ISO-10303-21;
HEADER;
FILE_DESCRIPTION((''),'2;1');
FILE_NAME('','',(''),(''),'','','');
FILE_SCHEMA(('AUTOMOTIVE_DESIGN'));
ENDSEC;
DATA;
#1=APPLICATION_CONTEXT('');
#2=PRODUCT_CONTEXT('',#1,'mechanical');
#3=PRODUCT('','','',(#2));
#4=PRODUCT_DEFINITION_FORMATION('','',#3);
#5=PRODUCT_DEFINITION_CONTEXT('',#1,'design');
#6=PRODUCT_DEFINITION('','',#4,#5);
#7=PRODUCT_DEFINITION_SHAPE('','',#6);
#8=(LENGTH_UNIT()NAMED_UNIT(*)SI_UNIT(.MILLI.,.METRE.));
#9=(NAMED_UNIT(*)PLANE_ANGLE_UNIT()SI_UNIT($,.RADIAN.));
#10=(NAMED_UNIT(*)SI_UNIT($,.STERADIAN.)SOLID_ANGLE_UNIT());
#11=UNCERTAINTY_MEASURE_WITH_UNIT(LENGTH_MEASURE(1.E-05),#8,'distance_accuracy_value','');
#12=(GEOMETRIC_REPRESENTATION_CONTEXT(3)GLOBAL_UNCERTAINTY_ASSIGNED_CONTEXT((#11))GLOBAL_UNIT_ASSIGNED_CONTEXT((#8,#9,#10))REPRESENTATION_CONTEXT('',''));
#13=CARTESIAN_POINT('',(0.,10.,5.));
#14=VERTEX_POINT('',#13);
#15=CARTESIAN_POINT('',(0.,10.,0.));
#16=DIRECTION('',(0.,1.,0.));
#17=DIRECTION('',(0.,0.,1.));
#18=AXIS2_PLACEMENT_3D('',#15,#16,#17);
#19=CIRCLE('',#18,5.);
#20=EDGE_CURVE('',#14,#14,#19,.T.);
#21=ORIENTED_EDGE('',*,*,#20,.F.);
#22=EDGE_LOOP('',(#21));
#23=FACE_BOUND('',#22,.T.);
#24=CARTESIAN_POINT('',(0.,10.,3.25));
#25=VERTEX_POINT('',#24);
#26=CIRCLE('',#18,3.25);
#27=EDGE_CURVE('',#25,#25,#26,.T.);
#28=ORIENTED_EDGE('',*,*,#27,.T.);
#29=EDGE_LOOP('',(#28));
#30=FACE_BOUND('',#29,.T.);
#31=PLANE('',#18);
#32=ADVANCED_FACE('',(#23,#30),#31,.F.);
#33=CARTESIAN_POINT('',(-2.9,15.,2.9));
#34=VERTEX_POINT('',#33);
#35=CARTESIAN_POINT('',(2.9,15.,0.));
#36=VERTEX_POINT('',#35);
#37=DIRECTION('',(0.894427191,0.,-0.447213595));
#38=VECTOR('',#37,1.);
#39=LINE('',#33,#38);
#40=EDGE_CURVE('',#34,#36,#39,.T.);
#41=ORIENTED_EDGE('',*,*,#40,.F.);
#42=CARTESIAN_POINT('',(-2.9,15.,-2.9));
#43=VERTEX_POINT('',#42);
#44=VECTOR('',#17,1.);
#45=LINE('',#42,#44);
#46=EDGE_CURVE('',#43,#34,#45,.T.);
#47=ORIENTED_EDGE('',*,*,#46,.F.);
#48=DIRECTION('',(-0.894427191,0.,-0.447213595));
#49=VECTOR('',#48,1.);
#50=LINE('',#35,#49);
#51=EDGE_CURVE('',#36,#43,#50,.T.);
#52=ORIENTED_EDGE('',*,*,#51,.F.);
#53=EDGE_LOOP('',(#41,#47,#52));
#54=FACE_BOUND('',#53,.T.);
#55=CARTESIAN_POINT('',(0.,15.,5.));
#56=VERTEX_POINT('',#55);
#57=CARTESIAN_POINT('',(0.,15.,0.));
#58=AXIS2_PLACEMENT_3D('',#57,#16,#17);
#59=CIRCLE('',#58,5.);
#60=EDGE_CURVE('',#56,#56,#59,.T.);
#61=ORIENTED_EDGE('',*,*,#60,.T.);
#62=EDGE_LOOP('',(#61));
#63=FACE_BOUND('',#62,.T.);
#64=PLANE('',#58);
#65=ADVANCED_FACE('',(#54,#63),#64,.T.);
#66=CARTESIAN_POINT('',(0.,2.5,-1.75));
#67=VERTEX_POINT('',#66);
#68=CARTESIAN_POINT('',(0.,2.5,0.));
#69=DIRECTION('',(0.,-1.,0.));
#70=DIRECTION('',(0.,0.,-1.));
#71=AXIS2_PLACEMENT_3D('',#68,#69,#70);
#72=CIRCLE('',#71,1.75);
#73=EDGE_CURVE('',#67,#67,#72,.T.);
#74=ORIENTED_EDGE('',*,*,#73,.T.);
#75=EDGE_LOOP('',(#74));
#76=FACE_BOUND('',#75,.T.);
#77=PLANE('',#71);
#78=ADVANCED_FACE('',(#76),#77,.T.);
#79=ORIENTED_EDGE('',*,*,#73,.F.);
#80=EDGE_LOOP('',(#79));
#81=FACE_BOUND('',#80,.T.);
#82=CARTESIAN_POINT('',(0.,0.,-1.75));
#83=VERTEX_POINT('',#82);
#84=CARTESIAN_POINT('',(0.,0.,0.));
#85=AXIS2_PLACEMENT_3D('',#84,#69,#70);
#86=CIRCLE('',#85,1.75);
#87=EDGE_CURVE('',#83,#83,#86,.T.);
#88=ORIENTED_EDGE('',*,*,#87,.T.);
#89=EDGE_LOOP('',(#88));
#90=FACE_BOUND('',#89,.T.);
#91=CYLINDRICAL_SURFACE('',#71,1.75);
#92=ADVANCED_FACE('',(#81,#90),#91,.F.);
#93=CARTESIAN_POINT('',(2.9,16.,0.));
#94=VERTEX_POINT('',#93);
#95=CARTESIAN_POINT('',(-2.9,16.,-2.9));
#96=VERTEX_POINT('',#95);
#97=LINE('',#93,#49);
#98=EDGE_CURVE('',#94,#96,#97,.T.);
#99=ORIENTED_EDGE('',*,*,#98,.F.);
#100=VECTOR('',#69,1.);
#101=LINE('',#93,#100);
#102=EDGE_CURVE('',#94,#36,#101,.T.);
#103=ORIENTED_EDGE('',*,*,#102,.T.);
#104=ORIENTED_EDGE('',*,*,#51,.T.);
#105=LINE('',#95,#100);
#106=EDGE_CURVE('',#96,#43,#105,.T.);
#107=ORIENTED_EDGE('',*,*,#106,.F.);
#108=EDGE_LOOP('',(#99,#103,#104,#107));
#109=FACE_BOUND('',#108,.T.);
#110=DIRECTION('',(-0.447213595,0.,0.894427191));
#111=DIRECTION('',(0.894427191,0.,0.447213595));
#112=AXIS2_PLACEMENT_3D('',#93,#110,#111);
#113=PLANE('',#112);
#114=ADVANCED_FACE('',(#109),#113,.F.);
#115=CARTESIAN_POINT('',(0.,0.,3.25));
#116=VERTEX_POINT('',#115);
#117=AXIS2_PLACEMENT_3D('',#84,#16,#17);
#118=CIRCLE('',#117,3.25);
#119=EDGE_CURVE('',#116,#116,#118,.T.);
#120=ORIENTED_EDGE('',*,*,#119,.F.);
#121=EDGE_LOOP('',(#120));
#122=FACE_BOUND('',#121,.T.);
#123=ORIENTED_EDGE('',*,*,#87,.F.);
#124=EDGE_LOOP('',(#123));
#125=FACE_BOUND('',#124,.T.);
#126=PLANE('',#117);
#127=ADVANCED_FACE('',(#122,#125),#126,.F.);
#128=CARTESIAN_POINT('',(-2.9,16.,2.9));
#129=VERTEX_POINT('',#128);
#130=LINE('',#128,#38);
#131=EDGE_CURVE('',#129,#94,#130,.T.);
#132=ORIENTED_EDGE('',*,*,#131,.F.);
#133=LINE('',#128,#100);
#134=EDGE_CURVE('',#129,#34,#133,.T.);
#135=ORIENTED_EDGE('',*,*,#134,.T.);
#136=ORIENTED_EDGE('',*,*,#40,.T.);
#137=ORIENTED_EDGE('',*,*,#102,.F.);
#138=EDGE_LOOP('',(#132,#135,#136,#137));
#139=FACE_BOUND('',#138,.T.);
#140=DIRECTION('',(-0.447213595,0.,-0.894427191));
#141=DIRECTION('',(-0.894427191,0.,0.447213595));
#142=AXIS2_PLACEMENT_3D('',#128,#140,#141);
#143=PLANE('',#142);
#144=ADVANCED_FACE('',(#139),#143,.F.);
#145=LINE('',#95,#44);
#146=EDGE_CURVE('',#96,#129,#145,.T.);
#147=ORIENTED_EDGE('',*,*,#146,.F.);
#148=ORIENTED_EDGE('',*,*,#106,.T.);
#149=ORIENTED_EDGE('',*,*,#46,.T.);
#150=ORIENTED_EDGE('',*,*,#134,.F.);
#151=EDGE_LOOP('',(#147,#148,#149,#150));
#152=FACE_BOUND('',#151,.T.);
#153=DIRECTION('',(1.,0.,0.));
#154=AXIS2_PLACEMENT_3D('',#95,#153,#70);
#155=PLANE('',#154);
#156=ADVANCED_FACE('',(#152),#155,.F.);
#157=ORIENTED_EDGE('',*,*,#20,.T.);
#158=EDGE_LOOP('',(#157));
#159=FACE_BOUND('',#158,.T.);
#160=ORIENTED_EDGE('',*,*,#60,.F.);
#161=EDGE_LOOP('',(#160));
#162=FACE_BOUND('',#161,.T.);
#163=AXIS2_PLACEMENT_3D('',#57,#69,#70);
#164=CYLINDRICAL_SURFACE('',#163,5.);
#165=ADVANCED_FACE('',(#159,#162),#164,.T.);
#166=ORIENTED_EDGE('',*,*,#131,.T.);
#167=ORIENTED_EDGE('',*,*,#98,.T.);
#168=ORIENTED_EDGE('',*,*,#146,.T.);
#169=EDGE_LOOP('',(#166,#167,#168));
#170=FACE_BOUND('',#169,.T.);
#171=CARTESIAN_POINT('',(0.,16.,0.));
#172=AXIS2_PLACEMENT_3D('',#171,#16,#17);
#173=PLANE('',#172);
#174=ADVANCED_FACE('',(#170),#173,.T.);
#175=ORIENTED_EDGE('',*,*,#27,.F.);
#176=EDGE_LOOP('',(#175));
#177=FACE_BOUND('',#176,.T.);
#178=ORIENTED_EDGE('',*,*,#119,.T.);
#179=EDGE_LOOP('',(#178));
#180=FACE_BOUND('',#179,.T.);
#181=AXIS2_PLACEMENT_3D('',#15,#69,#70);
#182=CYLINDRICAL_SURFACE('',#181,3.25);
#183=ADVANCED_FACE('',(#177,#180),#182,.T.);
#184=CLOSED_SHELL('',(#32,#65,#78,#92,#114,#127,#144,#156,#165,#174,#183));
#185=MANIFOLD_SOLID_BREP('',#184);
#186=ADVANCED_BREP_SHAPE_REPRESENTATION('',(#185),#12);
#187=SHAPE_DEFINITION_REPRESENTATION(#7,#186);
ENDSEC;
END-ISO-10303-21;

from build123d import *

# Parameters (mm, degrees)
SKETCH1_R           = 3.25
BOSS_EXTRUDE1_DEPTH = 10
SKETCH2_R           = 1.75
CUT_EXTRUDE1_DEPTH  = 2.5
SKETCH6_R           = 5
BOSS_EXTRUDE2_DEPTH = 5
BOSS_EXTRUDE3_DEPTH = 1


with BuildPart() as part:
    # Sketch1 → Boss-Extrude1 (new body)
    with BuildSketch(Plane(origin=(0, 0, 0), x_dir=(1, 0, 0), z_dir=(0, 1, 0))):
        Circle(SKETCH1_R)
    extrude(amount=BOSS_EXTRUDE1_DEPTH)

    # Sketch2 → Cut-Extrude1 (cut)
    with BuildSketch(Plane.XZ):
        Circle(SKETCH2_R)
    extrude(amount=-CUT_EXTRUDE1_DEPTH, mode=Mode.SUBTRACT)

    # Sketch6 → Boss-Extrude2 (add)
    with BuildSketch(Plane(origin=(0, 10, 0), x_dir=(1, 0, 0), z_dir=(0, 1, 0))):
        Circle(SKETCH6_R)
    extrude(amount=BOSS_EXTRUDE2_DEPTH)

    # Sketch9 → Boss-Extrude3 (add)
    with BuildSketch(Plane(origin=(0, 15, 0), x_dir=(1, 0, 0), z_dir=(0, 1, 0))):
        Polygon((-2.9, 2.9), (-2.9, -2.9), (2.9, 0), align=None)
    extrude(amount=BOSS_EXTRUDE3_DEPTH)


solid = part.part
